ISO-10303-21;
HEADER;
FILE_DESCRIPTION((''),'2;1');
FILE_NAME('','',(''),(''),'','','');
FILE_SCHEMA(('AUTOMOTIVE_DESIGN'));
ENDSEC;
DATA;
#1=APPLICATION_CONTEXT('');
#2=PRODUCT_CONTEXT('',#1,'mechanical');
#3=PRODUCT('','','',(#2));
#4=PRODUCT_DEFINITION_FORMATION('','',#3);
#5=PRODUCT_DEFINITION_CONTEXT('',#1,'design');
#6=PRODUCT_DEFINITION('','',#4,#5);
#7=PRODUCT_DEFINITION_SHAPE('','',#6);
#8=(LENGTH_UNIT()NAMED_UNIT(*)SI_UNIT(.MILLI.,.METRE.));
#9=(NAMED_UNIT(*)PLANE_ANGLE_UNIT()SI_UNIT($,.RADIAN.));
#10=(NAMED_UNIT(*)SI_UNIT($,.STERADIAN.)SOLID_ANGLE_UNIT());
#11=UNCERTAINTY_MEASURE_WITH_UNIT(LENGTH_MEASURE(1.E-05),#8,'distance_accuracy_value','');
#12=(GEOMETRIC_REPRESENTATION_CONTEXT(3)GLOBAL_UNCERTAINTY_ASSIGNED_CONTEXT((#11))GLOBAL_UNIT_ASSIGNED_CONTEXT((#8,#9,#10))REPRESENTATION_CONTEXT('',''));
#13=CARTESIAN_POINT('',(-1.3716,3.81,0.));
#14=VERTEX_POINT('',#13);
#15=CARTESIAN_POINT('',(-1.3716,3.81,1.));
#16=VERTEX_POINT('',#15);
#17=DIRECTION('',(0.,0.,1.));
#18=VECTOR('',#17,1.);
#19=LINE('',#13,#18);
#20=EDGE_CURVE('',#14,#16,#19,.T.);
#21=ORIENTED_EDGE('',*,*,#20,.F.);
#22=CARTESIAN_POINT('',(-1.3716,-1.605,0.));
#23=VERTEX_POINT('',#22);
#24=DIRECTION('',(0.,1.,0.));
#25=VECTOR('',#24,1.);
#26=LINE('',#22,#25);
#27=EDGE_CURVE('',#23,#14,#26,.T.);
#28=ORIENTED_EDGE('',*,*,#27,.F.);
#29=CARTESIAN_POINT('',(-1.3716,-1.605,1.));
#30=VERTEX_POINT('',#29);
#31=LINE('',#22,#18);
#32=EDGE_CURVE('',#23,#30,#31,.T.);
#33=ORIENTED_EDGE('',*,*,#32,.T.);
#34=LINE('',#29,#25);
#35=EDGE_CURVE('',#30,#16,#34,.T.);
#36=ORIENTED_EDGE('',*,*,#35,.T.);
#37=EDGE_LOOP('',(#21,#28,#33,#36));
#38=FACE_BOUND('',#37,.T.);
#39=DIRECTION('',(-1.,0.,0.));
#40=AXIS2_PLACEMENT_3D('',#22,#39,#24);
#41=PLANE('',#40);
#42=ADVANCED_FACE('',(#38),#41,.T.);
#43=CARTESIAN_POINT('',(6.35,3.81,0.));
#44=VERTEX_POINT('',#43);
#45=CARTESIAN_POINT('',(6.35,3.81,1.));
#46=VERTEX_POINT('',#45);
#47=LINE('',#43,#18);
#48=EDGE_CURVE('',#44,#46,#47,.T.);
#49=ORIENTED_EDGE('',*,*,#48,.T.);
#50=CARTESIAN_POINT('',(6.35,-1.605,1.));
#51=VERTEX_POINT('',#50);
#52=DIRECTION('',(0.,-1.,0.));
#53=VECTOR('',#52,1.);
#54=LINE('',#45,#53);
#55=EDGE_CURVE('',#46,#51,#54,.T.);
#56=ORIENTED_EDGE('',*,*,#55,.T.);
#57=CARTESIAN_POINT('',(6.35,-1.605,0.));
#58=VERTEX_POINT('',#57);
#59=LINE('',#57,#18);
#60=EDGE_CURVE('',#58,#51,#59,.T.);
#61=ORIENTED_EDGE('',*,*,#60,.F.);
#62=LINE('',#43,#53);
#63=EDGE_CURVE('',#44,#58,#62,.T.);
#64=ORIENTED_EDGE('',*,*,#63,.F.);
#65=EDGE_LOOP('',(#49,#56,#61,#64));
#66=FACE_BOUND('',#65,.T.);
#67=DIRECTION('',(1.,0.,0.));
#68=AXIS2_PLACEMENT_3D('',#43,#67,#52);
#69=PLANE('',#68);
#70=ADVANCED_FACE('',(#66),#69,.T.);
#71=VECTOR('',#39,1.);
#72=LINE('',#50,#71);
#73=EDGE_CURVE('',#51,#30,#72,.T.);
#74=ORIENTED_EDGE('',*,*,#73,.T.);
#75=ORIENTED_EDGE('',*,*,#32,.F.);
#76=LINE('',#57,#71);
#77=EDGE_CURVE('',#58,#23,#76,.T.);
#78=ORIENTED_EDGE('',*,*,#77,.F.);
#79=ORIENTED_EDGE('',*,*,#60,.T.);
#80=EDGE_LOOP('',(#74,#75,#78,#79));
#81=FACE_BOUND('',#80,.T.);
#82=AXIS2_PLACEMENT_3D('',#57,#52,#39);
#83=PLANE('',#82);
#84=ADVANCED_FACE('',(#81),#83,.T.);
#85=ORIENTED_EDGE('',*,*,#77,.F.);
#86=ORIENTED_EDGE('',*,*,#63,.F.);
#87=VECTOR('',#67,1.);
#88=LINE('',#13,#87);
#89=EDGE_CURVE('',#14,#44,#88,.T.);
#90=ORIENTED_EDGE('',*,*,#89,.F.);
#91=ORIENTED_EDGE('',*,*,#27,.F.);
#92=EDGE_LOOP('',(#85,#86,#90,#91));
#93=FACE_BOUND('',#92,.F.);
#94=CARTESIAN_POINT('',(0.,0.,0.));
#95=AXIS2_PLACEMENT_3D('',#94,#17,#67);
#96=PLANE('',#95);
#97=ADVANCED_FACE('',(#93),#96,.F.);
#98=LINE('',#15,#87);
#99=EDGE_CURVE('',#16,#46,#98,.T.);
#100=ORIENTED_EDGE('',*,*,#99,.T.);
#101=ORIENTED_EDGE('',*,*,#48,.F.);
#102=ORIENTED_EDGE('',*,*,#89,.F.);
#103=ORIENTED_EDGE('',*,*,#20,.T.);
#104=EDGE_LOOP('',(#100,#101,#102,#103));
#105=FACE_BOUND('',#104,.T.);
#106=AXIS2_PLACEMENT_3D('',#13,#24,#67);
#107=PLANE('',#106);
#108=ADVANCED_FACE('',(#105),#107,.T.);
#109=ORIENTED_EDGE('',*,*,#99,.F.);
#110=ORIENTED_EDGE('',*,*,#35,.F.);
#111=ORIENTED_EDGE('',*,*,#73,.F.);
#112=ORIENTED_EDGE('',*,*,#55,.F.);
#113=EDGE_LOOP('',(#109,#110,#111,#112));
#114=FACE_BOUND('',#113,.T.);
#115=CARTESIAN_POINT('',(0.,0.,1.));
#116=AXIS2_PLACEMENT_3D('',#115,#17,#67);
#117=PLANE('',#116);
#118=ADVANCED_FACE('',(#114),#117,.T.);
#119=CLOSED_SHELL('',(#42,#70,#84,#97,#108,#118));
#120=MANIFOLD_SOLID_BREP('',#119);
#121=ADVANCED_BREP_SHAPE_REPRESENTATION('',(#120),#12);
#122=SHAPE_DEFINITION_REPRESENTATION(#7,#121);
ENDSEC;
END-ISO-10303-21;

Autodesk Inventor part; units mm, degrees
ref_plane "YZ Plane" through (0, 0, 0) normal (1, 0, 0) x (0, 1, 0)
ref_plane "XZ Plane" through (0, 0, 0) normal (0, 1, 0) x (-1, 0, 0)
ref_plane "XY Plane" through (0, 0, 0) normal (0, 0, 1) x (1, 0, 0)
sketch "2X3, ISP_27" plane through (0, 0, 0) normal (0, 0, 1) x (1, 0, 0)
  line L0 (-1.3716, 3.81) -> (6.35, 3.81)
  line L1 (6.35, 3.81) -> (6.35, -1.605)
  line L2 (6.35, -1.605) -> (-1.3716, -1.605)
  line L3 (-1.3716, -1.605) -> (-1.3716, 3.81)
extrude "Extrusion1" add sketch "2X3, ISP_27" along normal blind 1
properties part number "ISP"
